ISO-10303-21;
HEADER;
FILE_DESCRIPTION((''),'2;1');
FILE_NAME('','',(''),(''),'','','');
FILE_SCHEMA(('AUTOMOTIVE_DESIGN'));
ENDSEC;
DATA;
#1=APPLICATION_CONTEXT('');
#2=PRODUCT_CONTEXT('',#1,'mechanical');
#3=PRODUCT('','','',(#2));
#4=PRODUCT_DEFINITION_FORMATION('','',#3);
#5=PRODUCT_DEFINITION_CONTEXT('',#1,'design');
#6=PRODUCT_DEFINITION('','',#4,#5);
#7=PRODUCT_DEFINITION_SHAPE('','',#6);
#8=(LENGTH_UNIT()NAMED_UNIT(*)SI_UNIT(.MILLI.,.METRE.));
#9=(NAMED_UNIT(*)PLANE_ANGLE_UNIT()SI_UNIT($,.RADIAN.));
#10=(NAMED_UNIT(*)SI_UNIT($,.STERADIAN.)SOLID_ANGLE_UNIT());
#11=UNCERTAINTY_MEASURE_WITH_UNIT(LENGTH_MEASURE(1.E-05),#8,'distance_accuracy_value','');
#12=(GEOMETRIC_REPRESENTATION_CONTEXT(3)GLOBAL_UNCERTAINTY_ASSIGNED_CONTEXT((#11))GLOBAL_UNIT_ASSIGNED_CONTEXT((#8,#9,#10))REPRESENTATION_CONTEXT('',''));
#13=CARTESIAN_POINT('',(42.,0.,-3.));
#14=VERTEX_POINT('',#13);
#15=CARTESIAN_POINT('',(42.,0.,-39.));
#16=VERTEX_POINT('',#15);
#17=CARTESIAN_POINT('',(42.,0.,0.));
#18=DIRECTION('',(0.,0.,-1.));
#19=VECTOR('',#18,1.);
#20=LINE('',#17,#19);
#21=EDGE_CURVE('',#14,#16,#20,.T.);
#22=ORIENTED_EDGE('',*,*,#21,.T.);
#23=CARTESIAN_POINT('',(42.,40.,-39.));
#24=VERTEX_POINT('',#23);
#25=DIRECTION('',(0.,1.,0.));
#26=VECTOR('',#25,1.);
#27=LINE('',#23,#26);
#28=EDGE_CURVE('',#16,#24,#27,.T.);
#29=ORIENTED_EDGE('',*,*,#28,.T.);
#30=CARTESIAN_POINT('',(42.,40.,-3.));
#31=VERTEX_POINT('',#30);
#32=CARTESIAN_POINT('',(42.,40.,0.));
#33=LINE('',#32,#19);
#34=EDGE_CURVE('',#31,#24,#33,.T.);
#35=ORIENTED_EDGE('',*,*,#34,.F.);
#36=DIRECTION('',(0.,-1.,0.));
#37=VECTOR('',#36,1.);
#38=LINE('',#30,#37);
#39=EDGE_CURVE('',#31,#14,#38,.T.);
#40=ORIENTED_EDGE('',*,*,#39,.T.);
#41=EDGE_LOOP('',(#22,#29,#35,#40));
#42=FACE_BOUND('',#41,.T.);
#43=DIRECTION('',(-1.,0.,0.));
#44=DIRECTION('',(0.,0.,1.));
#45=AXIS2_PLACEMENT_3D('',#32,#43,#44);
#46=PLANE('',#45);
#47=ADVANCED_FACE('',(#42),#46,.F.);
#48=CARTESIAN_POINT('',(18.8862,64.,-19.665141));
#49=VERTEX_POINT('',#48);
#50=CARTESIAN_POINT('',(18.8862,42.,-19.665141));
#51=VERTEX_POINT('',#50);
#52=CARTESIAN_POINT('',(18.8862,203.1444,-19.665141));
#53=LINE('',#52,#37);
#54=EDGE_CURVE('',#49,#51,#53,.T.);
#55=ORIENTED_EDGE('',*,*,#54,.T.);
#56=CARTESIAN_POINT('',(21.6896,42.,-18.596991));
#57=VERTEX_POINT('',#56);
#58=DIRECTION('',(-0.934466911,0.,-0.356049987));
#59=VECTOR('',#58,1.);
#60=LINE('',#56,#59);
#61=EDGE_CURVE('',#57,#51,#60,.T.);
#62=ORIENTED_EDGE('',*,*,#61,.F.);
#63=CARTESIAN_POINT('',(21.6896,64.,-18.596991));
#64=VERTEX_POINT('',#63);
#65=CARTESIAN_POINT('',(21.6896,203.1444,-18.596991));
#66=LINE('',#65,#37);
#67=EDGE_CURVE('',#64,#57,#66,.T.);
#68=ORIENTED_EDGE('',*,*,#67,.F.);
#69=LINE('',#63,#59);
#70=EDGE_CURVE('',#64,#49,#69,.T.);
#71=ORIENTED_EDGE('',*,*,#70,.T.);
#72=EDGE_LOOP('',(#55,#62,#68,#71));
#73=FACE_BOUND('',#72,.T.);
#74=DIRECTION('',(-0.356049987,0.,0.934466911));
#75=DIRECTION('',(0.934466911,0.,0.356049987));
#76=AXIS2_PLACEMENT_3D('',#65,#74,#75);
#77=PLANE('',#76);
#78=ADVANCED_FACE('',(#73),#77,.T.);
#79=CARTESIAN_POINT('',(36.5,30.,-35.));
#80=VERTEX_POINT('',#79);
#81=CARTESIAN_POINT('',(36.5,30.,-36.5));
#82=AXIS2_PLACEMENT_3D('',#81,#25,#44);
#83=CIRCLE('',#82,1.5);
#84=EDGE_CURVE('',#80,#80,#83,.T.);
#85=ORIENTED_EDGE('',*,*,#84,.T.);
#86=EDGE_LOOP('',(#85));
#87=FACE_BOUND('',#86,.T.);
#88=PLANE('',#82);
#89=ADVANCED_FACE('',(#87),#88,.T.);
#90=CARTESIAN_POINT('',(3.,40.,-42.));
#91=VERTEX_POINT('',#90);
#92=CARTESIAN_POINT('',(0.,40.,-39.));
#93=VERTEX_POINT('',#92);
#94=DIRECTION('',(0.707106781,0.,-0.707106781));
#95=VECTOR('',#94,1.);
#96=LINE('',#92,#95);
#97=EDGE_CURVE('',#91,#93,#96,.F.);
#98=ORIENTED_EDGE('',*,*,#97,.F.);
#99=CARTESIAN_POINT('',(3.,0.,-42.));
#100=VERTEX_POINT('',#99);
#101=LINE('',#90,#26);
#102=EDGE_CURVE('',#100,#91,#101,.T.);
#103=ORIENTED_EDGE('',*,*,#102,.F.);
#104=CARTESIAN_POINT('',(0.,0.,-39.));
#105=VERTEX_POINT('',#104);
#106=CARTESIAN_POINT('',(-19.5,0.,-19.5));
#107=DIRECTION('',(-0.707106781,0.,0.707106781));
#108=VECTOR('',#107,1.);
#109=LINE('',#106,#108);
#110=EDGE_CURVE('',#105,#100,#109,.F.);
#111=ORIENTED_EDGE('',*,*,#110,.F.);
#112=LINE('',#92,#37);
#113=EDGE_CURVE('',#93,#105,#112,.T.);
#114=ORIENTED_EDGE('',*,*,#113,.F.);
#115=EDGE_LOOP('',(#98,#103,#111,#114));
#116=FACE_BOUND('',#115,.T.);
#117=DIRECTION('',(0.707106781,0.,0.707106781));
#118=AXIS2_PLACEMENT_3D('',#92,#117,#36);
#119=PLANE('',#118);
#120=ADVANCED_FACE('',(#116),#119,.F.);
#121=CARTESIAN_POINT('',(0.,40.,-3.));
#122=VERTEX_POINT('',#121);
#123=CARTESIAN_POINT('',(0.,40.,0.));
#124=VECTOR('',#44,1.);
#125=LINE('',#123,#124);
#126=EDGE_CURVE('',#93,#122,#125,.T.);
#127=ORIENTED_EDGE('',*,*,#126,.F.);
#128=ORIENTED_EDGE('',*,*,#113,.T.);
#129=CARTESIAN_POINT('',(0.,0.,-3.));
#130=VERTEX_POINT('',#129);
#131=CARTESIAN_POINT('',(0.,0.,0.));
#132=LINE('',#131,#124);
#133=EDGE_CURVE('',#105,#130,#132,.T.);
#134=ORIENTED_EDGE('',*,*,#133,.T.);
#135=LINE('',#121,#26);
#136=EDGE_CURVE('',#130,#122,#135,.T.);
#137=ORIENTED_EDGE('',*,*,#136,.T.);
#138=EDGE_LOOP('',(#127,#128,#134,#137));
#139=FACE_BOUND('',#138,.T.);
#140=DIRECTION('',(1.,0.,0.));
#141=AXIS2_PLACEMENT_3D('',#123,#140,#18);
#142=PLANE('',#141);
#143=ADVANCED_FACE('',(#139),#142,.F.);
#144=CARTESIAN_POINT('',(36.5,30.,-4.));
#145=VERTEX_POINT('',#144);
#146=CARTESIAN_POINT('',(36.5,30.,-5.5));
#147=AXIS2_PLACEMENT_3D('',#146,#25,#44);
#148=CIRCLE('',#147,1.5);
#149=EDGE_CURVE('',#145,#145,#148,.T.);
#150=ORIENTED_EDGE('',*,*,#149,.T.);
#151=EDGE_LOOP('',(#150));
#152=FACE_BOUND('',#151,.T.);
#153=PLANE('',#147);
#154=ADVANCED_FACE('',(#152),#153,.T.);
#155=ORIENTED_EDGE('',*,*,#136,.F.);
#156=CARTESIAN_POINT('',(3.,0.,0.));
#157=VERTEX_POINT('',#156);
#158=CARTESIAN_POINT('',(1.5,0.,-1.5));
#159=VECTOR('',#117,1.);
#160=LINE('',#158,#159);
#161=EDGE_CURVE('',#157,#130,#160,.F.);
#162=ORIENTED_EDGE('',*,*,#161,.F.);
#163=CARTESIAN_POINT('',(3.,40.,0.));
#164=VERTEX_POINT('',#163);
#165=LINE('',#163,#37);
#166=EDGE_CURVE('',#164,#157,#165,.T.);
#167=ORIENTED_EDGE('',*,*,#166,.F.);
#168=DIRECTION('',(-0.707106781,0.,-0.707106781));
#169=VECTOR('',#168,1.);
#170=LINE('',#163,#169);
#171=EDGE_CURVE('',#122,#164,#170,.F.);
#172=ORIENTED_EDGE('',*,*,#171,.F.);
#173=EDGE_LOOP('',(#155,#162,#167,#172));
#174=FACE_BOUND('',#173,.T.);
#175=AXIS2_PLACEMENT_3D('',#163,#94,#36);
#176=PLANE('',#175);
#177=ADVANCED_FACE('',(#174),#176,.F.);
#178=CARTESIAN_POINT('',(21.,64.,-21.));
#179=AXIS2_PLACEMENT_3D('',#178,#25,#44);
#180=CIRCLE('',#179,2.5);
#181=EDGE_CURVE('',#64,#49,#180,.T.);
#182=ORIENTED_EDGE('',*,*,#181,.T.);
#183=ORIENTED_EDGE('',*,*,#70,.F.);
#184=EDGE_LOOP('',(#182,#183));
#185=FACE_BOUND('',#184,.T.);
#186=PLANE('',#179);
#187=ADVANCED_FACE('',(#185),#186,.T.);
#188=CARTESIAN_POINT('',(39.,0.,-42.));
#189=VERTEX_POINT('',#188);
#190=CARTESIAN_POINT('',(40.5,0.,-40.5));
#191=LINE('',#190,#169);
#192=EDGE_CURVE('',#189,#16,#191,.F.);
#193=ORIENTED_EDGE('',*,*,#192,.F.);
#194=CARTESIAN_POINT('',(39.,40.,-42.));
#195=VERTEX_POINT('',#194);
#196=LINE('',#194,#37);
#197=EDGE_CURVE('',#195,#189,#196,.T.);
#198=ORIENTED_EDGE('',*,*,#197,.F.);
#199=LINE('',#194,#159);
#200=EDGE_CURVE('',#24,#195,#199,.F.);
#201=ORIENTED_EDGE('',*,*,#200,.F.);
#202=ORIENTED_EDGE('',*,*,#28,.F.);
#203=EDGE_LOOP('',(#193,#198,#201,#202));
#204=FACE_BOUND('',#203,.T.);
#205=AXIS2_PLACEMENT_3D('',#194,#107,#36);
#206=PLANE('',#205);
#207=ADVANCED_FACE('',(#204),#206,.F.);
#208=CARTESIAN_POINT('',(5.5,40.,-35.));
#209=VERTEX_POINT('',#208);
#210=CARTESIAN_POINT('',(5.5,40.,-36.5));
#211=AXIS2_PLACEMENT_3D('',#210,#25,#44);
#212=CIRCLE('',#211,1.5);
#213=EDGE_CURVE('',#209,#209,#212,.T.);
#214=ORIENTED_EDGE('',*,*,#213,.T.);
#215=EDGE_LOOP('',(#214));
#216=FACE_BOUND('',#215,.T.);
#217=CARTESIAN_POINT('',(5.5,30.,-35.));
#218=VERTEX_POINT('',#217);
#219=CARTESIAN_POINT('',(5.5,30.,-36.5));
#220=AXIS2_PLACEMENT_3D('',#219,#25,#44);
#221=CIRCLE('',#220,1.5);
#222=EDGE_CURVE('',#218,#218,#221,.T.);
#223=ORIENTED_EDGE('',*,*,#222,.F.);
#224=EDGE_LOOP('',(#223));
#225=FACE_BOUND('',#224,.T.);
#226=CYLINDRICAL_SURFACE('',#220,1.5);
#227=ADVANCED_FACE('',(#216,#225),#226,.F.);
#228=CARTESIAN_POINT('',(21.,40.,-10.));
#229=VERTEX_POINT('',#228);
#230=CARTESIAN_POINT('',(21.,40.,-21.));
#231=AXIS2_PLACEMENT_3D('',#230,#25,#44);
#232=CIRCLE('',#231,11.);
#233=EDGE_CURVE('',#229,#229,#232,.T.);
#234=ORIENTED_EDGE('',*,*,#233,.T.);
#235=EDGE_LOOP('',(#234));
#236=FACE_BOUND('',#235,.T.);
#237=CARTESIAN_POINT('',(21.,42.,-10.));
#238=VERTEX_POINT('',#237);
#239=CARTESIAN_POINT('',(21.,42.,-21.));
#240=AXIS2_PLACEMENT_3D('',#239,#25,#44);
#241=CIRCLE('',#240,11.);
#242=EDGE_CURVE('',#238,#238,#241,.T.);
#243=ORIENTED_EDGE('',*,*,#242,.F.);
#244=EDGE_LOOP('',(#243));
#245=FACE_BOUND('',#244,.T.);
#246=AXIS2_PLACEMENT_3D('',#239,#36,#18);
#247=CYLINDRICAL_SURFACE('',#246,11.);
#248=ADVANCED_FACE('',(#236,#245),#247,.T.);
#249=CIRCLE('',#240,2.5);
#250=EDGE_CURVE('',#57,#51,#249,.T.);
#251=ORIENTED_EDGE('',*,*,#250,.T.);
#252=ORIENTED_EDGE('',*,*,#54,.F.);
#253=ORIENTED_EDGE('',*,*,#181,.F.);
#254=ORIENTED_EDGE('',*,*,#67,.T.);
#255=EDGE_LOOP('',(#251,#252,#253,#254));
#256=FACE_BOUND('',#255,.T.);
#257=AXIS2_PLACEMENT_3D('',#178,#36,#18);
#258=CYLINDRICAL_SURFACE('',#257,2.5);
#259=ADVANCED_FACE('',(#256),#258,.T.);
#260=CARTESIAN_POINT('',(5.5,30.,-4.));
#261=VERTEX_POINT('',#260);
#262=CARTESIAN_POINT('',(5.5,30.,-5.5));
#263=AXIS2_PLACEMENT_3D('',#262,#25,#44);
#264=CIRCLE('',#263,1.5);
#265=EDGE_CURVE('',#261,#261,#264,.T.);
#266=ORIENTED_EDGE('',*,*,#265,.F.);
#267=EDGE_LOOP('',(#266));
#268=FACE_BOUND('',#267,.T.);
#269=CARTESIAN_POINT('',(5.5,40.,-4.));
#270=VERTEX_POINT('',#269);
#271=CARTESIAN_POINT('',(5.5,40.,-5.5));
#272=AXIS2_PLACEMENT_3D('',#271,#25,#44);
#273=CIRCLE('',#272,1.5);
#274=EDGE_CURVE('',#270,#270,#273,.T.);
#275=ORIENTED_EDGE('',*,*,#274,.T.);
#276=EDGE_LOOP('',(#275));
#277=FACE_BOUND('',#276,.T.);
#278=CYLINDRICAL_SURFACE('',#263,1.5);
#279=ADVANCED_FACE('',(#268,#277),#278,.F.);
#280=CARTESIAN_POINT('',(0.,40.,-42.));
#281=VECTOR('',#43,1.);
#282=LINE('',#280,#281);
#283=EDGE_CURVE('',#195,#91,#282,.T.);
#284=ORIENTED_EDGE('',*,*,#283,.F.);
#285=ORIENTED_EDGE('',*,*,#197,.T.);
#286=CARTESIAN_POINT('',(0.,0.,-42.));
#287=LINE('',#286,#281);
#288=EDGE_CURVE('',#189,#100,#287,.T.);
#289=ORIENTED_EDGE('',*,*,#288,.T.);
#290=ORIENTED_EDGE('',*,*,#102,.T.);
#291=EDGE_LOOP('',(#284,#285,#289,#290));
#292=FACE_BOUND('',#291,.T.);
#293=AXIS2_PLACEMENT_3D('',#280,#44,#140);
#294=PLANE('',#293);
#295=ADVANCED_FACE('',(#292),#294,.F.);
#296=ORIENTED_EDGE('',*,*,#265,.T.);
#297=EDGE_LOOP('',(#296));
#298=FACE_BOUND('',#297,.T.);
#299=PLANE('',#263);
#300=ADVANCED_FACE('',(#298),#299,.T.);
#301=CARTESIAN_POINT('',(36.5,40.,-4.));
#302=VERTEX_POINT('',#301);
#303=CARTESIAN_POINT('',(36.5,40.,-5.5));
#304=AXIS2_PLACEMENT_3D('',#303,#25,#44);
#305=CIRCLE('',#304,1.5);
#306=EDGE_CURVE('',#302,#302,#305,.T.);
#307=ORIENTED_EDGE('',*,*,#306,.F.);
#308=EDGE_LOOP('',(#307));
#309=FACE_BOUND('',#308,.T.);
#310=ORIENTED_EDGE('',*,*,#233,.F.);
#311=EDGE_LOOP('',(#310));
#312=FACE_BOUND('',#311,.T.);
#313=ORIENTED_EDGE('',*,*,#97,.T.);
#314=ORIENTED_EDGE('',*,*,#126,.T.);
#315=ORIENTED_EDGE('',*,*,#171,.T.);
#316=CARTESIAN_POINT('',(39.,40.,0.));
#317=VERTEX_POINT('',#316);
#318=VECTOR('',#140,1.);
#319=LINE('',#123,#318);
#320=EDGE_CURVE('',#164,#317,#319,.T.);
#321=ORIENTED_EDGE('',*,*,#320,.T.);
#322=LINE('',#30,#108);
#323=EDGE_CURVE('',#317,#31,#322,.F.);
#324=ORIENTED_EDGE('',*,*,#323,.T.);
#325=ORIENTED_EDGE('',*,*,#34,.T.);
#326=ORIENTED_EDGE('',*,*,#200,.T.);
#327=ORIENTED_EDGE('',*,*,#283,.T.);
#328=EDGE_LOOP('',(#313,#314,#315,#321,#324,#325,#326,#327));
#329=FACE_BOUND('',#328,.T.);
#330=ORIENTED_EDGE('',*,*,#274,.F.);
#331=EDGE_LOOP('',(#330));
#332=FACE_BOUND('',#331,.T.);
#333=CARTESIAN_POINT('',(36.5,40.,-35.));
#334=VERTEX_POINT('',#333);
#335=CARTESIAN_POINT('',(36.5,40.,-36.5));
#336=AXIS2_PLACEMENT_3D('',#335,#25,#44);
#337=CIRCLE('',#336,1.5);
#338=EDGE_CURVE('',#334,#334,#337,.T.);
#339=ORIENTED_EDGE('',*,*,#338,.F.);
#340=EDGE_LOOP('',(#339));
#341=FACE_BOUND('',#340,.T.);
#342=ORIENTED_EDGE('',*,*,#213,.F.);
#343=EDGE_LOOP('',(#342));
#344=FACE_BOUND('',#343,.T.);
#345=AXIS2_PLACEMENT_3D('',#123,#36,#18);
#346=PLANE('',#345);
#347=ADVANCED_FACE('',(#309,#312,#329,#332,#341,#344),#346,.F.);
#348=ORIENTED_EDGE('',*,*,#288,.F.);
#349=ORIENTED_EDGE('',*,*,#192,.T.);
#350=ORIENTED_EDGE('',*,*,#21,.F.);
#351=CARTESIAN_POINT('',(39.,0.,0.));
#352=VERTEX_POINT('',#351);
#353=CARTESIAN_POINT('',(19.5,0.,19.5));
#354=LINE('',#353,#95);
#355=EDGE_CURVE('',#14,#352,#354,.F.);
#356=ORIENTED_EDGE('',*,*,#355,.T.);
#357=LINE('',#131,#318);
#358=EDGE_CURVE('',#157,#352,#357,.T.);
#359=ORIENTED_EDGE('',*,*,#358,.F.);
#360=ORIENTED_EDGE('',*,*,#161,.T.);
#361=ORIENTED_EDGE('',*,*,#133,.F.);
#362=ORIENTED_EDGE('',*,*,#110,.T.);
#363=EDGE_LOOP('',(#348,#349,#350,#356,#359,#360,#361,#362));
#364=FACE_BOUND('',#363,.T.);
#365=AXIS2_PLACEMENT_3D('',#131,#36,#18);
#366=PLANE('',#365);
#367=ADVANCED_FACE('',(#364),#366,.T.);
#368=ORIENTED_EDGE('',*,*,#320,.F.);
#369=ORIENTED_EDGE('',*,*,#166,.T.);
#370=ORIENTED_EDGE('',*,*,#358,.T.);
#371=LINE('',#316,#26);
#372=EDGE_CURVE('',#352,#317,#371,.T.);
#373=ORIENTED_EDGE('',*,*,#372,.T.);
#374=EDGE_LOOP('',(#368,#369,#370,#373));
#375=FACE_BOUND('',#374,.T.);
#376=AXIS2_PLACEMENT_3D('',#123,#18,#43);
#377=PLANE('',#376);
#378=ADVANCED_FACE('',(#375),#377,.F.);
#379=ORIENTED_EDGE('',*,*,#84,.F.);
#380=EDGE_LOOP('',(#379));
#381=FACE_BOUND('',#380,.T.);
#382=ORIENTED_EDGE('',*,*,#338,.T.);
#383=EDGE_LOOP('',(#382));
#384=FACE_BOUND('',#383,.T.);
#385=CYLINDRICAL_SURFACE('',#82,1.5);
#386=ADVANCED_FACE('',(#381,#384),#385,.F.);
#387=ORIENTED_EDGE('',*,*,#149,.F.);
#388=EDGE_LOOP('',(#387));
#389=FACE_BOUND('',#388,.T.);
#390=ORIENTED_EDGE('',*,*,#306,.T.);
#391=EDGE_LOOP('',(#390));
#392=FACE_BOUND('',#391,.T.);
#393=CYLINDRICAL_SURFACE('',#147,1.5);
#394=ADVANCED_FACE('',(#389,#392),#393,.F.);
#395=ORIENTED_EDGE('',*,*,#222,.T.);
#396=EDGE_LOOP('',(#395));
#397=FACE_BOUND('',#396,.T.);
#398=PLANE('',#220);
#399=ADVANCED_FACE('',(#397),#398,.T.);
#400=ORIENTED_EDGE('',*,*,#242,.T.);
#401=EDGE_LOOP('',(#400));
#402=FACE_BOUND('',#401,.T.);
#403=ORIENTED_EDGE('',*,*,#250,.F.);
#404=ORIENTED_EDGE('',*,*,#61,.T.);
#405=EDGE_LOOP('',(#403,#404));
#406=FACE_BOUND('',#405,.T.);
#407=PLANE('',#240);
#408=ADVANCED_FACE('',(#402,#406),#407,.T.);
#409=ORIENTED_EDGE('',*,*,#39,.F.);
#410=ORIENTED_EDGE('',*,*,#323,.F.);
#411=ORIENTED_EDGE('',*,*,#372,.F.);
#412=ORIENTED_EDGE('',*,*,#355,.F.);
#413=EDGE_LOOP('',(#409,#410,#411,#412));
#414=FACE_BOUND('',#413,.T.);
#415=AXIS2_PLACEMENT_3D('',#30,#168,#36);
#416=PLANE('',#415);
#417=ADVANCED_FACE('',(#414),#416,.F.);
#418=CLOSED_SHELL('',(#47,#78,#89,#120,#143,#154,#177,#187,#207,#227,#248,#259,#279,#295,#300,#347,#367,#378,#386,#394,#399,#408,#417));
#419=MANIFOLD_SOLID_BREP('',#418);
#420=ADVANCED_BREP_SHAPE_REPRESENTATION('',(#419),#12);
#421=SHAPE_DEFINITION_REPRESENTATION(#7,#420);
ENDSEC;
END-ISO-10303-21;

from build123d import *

# Parameters (mm, degrees)
SKETCH1_W               = 42
SKETCH1_H               = 42
BOSS_EXTRUDE1_DEPTH     = 40
CHAMFER1_SIZE           = 3
SKETCH2_R               = 11
BOSS_EXTRUDE2_DEPTH     = 2
SKETCH3_R               = 2.5
BOSS_EXTRUDE3_DEPTH     = 22
CUT_EXTRUDE1_DEPTH      = 88.315519812
CUT_EXTRUDE1_DEPTH_BACK = 22
SKETCH5_R               = 1.5
CUT_EXTRUDE2_DEPTH      = 10


with BuildPart() as part:
    # Sketch1 → Boss-Extrude1 (new body)
    with BuildSketch(Plane(origin=(0, 0, 0), x_dir=(1, 0, 0), z_dir=(0, 1, 0))):
        with Locations((21, 21)):
            Rectangle(SKETCH1_W, SKETCH1_H)
    extrude(amount=BOSS_EXTRUDE1_DEPTH)

    # Chamfer1
    chamfer1_edges = [part.edges().sort_by_distance(p)[0] for p in [
        (0, 20, -42),
        (42, 20, -42),
        (42, 20, 0),
        (0, 20, 0),
    ]]
    chamfer(chamfer1_edges, length=CHAMFER1_SIZE)

    # Sketch2 → Boss-Extrude2 (add)
    with BuildSketch(Plane(origin=(0, 40, 0), x_dir=(1, 0, 0), z_dir=(0, 1, 0))):
        with Locations(Location((21, 21, 0), (0, 0, 270))):
            Circle(SKETCH2_R)
    extrude(amount=BOSS_EXTRUDE2_DEPTH)

    # Sketch3 → Boss-Extrude3 (add)
    with BuildSketch(Plane(origin=(0, 42, 0), x_dir=(1, 0, 0), z_dir=(0, 1, 0))):
        with Locations(Location((21, 21, 0), (0, 0, 270))):
            Circle(SKETCH3_R)
    extrude(amount=BOSS_EXTRUDE3_DEPTH)

    # Sketch4 → Cut-Extrude1 (cut, two sides: drawn at the far end of the back side and taken through both)
    with BuildSketch(Plane(origin=(0, 64, 0), x_dir=(1, 0, 0), z_dir=(0, 1, 0)).offset(-CUT_EXTRUDE1_DEPTH_BACK)):
        Polygon((91.105119446, -7.851665626), (21.689600393, 18.596991199), (18.886199661, 19.665141159), (-50.529319392, 46.113797983), (-103.426633041, -92.717240123), (38.207805797, -146.682703732), align=None)
    extrude(amount=CUT_EXTRUDE1_DEPTH + CUT_EXTRUDE1_DEPTH_BACK, mode=Mode.SUBTRACT)

    # Sketch5 → Cut-Extrude2 (cut)
    with BuildSketch(Plane(origin=(0, 40, 0), x_dir=(1, 0, 0), z_dir=(0, 1, 0))):
        with Locations(Location((36.5, 36.5, 0), (0, 0, 270))):
            Circle(SKETCH5_R)
        with Locations(Location((36.5, 5.5, 0), (0, 0, 270))):
            Circle(SKETCH5_R)
        with Locations(Location((5.5, 5.5, 0), (0, 0, 270))):
            Circle(SKETCH5_R)
        with Locations(Location((5.5, 36.5, 0), (0, 0, 270))):
            Circle(SKETCH5_R)
    extrude(amount=-CUT_EXTRUDE2_DEPTH, mode=Mode.SUBTRACT)


solid = part.part
